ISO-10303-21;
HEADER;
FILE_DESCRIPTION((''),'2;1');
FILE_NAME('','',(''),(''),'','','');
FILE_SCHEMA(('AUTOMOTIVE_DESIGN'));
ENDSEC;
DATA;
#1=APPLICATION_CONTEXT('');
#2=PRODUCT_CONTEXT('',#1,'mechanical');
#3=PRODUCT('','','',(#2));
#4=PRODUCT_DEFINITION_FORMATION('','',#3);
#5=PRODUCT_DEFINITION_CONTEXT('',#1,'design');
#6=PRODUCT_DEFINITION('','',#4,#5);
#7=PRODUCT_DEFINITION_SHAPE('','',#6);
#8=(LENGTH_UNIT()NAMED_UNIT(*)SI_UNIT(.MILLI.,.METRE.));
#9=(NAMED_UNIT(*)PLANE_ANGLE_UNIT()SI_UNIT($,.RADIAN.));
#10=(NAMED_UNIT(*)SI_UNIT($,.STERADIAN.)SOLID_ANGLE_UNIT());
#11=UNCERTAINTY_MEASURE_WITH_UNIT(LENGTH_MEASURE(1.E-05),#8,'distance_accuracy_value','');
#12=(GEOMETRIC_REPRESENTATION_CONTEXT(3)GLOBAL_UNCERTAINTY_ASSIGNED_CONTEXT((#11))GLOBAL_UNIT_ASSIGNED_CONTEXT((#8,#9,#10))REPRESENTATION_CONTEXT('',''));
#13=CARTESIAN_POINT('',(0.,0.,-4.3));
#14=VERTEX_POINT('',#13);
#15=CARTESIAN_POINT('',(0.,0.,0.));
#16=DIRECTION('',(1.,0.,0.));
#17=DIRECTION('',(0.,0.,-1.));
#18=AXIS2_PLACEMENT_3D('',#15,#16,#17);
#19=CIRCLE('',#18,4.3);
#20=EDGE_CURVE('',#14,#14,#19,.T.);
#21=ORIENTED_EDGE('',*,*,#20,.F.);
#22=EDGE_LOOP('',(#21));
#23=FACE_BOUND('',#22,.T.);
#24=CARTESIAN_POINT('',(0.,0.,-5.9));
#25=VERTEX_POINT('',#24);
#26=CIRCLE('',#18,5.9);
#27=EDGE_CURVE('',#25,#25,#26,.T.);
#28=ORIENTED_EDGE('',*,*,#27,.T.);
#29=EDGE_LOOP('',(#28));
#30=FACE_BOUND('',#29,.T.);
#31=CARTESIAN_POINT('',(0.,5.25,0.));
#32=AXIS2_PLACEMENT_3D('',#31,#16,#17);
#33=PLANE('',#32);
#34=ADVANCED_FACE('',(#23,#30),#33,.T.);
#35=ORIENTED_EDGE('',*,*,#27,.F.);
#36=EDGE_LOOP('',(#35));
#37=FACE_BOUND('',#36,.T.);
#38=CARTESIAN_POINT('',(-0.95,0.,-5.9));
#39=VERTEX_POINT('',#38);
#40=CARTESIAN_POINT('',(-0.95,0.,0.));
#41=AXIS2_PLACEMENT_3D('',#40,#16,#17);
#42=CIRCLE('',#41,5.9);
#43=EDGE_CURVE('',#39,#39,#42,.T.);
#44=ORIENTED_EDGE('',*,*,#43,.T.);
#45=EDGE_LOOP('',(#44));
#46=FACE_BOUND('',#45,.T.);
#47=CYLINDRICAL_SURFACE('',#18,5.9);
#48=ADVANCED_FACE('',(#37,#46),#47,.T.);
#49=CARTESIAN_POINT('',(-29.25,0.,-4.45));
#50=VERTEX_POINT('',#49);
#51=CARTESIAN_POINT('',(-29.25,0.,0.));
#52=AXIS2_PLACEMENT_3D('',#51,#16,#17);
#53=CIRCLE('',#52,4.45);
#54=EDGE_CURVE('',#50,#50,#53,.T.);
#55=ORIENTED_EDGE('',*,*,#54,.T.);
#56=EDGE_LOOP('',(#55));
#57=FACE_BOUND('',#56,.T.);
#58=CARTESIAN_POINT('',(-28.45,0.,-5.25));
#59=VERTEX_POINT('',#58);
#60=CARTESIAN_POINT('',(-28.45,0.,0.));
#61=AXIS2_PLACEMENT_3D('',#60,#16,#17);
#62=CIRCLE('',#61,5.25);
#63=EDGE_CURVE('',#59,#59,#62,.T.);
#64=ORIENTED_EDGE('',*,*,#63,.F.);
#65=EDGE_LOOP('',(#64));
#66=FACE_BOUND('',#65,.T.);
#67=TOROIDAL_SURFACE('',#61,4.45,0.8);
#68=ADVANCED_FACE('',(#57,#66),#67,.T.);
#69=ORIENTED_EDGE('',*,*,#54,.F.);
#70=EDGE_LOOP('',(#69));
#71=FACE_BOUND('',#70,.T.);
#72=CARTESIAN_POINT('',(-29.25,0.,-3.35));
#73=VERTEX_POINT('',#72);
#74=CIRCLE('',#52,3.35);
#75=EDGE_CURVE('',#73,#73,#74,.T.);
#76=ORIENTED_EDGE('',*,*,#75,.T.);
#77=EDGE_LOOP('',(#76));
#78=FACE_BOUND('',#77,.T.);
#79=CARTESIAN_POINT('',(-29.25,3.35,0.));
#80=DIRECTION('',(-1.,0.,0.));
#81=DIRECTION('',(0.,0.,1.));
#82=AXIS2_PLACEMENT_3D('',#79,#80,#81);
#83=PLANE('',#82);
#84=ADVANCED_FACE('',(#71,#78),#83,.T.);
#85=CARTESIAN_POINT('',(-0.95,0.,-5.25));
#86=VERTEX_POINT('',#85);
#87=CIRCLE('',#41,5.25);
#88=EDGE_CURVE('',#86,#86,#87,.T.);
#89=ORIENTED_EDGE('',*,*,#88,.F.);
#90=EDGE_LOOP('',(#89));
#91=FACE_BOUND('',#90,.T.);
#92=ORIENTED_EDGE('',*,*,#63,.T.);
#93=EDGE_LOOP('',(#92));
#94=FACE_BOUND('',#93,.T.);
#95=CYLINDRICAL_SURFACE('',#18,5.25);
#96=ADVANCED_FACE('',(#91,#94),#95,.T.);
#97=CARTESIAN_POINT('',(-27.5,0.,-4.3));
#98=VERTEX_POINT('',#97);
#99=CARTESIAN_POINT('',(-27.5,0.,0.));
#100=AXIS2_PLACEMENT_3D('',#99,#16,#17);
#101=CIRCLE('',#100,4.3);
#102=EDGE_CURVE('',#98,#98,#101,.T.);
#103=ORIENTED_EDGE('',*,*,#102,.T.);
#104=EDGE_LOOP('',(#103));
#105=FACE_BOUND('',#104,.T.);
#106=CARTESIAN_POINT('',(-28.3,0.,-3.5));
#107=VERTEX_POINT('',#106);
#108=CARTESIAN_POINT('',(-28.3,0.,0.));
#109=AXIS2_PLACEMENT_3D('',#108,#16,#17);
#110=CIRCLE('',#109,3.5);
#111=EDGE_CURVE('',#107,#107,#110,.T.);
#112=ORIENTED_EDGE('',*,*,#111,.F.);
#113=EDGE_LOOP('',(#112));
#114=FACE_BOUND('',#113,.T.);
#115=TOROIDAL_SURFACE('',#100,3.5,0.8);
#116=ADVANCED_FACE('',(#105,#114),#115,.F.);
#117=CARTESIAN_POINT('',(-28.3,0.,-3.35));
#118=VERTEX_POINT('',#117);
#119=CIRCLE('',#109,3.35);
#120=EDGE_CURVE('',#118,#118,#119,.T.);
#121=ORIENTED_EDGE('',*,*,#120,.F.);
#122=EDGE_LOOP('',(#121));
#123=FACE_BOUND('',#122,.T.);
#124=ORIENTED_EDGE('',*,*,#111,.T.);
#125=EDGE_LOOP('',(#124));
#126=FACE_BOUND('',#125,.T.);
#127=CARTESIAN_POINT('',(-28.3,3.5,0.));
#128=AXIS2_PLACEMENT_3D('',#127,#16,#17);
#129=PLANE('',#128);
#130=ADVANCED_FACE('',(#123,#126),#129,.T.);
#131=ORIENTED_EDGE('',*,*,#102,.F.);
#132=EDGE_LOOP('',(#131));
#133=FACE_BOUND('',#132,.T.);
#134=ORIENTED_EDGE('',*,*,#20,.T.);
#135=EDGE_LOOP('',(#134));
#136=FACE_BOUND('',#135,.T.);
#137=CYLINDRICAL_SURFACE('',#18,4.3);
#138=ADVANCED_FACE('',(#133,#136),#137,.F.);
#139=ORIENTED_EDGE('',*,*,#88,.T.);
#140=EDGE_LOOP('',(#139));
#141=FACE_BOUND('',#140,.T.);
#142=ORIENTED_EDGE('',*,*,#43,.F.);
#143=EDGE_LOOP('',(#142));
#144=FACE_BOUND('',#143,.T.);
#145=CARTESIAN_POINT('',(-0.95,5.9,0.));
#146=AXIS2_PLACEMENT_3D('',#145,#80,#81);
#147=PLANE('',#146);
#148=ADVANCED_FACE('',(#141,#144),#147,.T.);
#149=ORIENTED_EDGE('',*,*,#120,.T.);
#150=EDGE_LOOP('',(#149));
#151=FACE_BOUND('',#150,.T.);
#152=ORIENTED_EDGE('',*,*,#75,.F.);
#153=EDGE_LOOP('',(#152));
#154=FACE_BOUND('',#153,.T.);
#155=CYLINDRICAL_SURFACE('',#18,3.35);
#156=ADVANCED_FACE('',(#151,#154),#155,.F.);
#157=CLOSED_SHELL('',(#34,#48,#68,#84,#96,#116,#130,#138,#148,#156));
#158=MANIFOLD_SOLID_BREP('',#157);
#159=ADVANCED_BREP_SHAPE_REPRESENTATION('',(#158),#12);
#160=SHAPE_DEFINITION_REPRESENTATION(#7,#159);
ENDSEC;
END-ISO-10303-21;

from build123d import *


with BuildPart() as part:
    # Esquisse1 → Révolution1 (revolve)
    with BuildSketch(Plane.XY):
        with BuildLine():
            Line((0, 4.3), (-27.5, 4.3))
            ThreePointArc((-27.5, 4.3), (-28.065685425, 4.065685425), (-28.3, 3.5))
            Line((-28.3, 3.5), (-28.3, 3.35))
            Line((-28.3, 3.35), (-29.25, 3.35))
            Line((-29.25, 3.35), (-29.25, 4.45))
            ThreePointArc((-29.25, 4.45), (-29.015685425, 5.015685425), (-28.45, 5.25))
            Line((-28.45, 5.25), (-0.95, 5.25))
            Line((-0.95, 5.25), (-0.95, 5.9))
            Line((-0.95, 5.9), (0, 5.9))
            Line((0, 5.9), (0, 5.25))
            Line((0, 5.25), (0, 4.3))
        make_face()
    revolve(axis=Axis((0, 0, 0), (-1, 0, 0)))


solid = part.part
